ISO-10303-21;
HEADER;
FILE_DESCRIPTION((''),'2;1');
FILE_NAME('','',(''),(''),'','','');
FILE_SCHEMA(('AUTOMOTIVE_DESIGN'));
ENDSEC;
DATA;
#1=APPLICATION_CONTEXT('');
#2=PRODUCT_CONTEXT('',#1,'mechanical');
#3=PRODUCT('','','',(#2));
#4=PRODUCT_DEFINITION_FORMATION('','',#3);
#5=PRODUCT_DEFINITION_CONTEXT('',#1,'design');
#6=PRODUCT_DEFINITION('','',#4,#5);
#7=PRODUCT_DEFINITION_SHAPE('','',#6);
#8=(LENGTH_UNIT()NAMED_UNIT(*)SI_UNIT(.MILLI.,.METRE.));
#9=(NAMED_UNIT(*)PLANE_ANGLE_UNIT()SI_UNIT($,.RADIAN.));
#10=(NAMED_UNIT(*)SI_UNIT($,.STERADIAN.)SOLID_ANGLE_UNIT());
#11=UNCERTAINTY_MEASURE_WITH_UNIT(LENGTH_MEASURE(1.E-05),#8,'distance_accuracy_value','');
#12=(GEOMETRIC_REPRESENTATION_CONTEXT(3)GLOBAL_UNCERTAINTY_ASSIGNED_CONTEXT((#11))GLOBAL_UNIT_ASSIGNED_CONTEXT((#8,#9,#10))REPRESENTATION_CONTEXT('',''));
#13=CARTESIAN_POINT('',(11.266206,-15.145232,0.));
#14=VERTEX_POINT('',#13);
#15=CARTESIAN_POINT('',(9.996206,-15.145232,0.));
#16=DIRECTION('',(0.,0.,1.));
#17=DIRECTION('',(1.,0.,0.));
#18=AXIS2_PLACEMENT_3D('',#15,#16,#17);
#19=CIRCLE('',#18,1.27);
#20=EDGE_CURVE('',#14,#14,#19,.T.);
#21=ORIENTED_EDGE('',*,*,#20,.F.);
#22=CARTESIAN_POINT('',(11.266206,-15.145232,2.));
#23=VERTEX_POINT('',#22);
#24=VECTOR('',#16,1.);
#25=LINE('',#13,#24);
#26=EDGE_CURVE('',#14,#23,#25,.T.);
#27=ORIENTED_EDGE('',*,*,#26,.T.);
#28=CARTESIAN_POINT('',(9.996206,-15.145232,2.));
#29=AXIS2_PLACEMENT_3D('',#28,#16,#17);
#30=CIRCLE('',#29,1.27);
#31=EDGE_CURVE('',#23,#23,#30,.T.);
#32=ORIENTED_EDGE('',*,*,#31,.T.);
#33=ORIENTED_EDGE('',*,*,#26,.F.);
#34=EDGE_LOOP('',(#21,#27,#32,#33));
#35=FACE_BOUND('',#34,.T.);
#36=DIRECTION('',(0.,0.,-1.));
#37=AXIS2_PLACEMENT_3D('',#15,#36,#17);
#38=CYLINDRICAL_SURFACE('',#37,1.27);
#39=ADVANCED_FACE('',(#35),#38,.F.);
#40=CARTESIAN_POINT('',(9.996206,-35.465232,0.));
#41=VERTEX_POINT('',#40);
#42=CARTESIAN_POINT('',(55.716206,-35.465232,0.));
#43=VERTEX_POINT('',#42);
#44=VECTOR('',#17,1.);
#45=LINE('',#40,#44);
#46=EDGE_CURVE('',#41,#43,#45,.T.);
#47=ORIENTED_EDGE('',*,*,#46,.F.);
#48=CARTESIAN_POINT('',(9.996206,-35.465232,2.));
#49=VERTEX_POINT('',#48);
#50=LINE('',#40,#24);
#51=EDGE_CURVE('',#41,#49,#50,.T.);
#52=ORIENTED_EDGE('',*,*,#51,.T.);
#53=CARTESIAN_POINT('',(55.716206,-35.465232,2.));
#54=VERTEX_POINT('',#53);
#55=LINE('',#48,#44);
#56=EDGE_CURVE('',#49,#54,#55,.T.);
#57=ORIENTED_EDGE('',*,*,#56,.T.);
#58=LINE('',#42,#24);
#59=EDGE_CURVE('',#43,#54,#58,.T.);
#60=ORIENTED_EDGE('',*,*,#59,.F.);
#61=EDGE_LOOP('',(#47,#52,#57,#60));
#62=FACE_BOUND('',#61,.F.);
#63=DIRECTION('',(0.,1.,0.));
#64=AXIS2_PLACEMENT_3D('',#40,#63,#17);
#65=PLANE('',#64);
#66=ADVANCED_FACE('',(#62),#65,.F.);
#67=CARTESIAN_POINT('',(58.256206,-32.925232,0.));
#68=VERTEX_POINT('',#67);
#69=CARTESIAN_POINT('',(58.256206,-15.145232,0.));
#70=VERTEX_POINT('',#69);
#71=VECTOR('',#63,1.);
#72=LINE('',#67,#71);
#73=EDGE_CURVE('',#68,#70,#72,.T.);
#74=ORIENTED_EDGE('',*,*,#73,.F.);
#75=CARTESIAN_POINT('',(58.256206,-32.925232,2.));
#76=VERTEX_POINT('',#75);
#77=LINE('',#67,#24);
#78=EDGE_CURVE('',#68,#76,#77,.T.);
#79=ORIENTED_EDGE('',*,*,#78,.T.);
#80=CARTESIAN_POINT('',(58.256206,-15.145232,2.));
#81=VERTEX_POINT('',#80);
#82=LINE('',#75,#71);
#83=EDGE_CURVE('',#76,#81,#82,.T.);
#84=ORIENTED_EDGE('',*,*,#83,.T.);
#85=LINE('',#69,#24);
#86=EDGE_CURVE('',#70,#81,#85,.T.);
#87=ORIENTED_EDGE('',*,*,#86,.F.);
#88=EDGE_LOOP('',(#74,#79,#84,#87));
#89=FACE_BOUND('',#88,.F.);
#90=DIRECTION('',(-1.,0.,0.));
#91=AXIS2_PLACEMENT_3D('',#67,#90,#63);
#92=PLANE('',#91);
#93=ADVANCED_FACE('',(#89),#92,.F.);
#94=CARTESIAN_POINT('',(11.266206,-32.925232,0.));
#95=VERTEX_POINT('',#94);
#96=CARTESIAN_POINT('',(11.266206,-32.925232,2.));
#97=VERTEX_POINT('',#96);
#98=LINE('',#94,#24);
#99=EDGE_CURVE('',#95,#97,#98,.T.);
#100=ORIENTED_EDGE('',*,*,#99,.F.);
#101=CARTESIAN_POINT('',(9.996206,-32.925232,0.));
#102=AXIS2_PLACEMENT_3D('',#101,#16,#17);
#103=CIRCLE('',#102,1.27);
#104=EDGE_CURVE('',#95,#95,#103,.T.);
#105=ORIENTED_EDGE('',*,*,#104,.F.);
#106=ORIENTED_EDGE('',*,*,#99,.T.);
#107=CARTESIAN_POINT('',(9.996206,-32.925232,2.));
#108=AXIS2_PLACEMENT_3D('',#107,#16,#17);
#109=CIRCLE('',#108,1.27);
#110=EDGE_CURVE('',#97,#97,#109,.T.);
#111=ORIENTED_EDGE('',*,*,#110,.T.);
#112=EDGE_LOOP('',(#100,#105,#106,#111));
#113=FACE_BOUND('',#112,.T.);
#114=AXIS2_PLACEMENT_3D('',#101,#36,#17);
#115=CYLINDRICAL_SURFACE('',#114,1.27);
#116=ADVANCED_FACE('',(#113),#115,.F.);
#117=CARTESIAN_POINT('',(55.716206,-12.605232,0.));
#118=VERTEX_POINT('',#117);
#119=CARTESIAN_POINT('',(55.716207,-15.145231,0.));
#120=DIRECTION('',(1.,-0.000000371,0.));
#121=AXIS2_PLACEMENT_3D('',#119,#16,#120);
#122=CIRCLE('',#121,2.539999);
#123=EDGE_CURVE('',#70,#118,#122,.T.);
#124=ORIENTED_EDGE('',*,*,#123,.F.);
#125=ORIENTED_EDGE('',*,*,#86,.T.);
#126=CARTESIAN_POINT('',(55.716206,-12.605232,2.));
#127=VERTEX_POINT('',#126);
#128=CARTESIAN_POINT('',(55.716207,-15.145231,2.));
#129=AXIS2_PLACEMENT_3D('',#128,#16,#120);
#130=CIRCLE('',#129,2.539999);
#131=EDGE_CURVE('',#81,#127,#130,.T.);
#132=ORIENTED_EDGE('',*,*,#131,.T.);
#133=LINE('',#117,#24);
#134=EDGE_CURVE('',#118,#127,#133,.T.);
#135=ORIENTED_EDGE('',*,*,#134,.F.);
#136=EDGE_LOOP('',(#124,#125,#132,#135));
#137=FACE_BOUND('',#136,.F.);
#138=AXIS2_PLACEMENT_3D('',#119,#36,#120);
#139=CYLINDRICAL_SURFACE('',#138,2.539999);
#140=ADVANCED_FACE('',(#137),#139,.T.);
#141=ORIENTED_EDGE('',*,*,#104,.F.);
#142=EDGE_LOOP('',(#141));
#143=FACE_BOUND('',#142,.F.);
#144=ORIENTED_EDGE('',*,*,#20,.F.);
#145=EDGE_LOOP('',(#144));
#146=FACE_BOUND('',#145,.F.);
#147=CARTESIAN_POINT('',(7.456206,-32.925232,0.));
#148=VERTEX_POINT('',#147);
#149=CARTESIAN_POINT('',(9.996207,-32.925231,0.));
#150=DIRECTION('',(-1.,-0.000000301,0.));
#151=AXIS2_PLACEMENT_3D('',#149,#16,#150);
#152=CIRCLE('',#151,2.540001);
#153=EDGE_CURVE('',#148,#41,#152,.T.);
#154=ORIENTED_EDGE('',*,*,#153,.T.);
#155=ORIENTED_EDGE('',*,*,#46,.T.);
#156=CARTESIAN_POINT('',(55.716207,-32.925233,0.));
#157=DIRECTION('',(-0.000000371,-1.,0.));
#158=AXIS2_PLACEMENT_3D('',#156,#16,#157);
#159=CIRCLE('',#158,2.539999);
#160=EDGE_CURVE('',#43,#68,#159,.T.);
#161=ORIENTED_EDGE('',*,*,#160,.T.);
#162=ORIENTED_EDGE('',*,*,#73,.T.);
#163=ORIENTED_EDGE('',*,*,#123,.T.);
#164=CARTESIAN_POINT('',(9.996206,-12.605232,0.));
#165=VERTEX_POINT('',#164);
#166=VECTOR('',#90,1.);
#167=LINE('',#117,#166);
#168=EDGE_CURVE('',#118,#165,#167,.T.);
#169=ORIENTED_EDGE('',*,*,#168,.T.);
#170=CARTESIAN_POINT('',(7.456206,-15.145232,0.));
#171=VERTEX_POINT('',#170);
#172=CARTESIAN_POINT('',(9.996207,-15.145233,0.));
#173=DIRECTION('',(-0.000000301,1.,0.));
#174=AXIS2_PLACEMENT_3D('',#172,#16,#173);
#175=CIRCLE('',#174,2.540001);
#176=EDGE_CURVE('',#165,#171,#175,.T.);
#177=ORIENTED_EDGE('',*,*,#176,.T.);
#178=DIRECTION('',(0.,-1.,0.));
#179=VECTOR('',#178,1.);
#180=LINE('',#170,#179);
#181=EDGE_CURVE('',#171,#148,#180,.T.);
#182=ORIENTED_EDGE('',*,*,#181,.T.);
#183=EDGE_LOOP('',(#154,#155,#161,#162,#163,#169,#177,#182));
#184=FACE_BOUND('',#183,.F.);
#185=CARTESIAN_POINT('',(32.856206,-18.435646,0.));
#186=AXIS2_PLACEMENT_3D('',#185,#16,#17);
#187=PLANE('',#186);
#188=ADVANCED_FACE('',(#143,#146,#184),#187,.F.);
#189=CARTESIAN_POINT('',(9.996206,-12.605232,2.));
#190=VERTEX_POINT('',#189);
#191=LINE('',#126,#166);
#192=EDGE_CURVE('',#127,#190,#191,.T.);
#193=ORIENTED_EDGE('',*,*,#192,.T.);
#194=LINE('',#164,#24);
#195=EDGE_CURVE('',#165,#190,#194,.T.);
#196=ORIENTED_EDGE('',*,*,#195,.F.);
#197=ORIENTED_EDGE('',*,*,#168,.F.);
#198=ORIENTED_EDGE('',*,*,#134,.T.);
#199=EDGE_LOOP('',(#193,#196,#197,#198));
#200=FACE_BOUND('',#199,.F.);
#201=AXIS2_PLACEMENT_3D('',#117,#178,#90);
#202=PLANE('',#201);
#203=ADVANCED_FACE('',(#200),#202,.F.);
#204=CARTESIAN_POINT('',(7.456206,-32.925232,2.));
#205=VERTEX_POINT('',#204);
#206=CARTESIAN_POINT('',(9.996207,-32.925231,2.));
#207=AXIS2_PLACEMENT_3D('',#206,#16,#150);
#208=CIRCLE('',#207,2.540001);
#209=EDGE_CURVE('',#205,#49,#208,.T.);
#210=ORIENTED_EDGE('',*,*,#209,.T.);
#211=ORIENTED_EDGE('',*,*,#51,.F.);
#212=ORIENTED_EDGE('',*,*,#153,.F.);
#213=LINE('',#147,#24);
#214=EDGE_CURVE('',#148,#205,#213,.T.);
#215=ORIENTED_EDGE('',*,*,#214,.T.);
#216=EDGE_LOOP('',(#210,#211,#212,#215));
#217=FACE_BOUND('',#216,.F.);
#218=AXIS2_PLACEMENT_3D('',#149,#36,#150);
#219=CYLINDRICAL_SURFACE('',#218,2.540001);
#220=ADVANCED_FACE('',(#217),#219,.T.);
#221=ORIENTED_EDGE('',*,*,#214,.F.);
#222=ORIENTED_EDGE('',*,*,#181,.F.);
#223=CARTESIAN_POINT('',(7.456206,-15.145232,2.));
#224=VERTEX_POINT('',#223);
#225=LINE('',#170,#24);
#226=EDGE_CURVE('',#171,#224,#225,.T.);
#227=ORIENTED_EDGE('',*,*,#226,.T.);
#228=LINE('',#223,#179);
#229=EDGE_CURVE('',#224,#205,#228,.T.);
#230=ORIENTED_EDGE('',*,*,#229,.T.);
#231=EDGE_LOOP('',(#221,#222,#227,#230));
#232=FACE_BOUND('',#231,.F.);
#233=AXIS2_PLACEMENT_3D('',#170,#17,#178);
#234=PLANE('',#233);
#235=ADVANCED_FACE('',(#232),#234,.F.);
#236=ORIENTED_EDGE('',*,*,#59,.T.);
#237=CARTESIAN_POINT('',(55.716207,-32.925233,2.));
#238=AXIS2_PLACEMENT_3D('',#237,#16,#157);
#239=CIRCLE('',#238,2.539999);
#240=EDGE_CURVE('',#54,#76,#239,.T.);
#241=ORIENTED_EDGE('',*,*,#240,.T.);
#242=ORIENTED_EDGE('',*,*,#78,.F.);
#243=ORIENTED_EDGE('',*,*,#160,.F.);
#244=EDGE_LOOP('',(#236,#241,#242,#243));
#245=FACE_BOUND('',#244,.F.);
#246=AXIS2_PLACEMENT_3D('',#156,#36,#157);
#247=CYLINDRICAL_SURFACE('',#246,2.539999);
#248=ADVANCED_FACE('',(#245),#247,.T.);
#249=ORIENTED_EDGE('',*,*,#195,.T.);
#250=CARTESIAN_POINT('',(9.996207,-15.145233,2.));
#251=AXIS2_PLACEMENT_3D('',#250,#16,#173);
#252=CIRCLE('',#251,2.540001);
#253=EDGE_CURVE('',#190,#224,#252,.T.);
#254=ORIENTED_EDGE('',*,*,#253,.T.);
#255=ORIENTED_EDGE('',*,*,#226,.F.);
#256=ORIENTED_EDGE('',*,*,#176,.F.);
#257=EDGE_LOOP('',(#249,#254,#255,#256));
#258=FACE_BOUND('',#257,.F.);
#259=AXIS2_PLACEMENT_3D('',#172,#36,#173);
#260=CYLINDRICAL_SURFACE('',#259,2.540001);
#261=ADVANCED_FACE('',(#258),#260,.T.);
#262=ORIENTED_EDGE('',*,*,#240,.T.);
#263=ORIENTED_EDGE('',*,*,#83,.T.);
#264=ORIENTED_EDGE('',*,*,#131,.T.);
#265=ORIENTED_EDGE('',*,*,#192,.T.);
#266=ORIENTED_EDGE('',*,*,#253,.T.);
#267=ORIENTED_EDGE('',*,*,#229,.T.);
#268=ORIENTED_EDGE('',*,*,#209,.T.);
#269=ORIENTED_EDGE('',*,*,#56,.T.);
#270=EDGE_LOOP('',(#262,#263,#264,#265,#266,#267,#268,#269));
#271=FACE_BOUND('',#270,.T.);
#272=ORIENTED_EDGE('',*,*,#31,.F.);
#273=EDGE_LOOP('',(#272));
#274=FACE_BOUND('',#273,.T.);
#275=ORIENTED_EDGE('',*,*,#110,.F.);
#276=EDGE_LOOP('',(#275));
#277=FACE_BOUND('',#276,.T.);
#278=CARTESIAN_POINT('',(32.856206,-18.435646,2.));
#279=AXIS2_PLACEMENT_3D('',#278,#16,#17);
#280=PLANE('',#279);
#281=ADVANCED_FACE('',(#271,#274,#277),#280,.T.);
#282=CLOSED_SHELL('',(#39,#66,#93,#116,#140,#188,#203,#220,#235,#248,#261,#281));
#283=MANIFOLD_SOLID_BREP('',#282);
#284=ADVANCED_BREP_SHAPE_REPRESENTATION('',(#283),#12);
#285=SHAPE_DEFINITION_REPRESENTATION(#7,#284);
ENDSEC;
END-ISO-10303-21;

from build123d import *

# Parameters (mm, degrees)
F0_R     = 1.27
F1_DEPTH = 2


with BuildPart() as f1:
    # F0 (on Top) → F1 (new body)
    with BuildSketch(Plane.XY):
        with BuildLine():
            Line((55.716206, -12.605232), (9.996206, -12.605232))
            ThreePointArc((9.996206, -12.605232), (8.200155, -13.349181), (7.456206, -15.145232))
            Line((7.456206, -15.145232), (7.456206, -24.035232))
            Line((7.456206, -24.035232), (58.256206, -24.035232))
            Line((58.256206, -24.035232), (58.256206, -15.145232))
            ThreePointArc((58.256206, -15.145232), (57.512258, -13.349181), (55.716206, -12.605232))
        make_face()
        with Locations((9.996206, -15.145232)):
            Circle(F0_R, mode=Mode.SUBTRACT)
        with BuildLine():
            Line((58.256206, -24.035232), (7.456206, -24.035232))
            Line((7.456206, -24.035232), (7.456206, -32.925232))
            ThreePointArc((7.456206, -32.925232), (8.200155, -34.721283), (9.996206, -35.465232))
            Line((9.996206, -35.465232), (55.716206, -35.465232))
            ThreePointArc((55.716206, -35.465232), (57.512258, -34.721283), (58.256206, -32.925232))
            Line((58.256206, -32.925232), (58.256206, -24.035232))
        make_face()
        with Locations((9.996206, -32.925232)):
            Circle(F0_R, mode=Mode.SUBTRACT)
    extrude(amount=F1_DEPTH)


solid = f1.part
